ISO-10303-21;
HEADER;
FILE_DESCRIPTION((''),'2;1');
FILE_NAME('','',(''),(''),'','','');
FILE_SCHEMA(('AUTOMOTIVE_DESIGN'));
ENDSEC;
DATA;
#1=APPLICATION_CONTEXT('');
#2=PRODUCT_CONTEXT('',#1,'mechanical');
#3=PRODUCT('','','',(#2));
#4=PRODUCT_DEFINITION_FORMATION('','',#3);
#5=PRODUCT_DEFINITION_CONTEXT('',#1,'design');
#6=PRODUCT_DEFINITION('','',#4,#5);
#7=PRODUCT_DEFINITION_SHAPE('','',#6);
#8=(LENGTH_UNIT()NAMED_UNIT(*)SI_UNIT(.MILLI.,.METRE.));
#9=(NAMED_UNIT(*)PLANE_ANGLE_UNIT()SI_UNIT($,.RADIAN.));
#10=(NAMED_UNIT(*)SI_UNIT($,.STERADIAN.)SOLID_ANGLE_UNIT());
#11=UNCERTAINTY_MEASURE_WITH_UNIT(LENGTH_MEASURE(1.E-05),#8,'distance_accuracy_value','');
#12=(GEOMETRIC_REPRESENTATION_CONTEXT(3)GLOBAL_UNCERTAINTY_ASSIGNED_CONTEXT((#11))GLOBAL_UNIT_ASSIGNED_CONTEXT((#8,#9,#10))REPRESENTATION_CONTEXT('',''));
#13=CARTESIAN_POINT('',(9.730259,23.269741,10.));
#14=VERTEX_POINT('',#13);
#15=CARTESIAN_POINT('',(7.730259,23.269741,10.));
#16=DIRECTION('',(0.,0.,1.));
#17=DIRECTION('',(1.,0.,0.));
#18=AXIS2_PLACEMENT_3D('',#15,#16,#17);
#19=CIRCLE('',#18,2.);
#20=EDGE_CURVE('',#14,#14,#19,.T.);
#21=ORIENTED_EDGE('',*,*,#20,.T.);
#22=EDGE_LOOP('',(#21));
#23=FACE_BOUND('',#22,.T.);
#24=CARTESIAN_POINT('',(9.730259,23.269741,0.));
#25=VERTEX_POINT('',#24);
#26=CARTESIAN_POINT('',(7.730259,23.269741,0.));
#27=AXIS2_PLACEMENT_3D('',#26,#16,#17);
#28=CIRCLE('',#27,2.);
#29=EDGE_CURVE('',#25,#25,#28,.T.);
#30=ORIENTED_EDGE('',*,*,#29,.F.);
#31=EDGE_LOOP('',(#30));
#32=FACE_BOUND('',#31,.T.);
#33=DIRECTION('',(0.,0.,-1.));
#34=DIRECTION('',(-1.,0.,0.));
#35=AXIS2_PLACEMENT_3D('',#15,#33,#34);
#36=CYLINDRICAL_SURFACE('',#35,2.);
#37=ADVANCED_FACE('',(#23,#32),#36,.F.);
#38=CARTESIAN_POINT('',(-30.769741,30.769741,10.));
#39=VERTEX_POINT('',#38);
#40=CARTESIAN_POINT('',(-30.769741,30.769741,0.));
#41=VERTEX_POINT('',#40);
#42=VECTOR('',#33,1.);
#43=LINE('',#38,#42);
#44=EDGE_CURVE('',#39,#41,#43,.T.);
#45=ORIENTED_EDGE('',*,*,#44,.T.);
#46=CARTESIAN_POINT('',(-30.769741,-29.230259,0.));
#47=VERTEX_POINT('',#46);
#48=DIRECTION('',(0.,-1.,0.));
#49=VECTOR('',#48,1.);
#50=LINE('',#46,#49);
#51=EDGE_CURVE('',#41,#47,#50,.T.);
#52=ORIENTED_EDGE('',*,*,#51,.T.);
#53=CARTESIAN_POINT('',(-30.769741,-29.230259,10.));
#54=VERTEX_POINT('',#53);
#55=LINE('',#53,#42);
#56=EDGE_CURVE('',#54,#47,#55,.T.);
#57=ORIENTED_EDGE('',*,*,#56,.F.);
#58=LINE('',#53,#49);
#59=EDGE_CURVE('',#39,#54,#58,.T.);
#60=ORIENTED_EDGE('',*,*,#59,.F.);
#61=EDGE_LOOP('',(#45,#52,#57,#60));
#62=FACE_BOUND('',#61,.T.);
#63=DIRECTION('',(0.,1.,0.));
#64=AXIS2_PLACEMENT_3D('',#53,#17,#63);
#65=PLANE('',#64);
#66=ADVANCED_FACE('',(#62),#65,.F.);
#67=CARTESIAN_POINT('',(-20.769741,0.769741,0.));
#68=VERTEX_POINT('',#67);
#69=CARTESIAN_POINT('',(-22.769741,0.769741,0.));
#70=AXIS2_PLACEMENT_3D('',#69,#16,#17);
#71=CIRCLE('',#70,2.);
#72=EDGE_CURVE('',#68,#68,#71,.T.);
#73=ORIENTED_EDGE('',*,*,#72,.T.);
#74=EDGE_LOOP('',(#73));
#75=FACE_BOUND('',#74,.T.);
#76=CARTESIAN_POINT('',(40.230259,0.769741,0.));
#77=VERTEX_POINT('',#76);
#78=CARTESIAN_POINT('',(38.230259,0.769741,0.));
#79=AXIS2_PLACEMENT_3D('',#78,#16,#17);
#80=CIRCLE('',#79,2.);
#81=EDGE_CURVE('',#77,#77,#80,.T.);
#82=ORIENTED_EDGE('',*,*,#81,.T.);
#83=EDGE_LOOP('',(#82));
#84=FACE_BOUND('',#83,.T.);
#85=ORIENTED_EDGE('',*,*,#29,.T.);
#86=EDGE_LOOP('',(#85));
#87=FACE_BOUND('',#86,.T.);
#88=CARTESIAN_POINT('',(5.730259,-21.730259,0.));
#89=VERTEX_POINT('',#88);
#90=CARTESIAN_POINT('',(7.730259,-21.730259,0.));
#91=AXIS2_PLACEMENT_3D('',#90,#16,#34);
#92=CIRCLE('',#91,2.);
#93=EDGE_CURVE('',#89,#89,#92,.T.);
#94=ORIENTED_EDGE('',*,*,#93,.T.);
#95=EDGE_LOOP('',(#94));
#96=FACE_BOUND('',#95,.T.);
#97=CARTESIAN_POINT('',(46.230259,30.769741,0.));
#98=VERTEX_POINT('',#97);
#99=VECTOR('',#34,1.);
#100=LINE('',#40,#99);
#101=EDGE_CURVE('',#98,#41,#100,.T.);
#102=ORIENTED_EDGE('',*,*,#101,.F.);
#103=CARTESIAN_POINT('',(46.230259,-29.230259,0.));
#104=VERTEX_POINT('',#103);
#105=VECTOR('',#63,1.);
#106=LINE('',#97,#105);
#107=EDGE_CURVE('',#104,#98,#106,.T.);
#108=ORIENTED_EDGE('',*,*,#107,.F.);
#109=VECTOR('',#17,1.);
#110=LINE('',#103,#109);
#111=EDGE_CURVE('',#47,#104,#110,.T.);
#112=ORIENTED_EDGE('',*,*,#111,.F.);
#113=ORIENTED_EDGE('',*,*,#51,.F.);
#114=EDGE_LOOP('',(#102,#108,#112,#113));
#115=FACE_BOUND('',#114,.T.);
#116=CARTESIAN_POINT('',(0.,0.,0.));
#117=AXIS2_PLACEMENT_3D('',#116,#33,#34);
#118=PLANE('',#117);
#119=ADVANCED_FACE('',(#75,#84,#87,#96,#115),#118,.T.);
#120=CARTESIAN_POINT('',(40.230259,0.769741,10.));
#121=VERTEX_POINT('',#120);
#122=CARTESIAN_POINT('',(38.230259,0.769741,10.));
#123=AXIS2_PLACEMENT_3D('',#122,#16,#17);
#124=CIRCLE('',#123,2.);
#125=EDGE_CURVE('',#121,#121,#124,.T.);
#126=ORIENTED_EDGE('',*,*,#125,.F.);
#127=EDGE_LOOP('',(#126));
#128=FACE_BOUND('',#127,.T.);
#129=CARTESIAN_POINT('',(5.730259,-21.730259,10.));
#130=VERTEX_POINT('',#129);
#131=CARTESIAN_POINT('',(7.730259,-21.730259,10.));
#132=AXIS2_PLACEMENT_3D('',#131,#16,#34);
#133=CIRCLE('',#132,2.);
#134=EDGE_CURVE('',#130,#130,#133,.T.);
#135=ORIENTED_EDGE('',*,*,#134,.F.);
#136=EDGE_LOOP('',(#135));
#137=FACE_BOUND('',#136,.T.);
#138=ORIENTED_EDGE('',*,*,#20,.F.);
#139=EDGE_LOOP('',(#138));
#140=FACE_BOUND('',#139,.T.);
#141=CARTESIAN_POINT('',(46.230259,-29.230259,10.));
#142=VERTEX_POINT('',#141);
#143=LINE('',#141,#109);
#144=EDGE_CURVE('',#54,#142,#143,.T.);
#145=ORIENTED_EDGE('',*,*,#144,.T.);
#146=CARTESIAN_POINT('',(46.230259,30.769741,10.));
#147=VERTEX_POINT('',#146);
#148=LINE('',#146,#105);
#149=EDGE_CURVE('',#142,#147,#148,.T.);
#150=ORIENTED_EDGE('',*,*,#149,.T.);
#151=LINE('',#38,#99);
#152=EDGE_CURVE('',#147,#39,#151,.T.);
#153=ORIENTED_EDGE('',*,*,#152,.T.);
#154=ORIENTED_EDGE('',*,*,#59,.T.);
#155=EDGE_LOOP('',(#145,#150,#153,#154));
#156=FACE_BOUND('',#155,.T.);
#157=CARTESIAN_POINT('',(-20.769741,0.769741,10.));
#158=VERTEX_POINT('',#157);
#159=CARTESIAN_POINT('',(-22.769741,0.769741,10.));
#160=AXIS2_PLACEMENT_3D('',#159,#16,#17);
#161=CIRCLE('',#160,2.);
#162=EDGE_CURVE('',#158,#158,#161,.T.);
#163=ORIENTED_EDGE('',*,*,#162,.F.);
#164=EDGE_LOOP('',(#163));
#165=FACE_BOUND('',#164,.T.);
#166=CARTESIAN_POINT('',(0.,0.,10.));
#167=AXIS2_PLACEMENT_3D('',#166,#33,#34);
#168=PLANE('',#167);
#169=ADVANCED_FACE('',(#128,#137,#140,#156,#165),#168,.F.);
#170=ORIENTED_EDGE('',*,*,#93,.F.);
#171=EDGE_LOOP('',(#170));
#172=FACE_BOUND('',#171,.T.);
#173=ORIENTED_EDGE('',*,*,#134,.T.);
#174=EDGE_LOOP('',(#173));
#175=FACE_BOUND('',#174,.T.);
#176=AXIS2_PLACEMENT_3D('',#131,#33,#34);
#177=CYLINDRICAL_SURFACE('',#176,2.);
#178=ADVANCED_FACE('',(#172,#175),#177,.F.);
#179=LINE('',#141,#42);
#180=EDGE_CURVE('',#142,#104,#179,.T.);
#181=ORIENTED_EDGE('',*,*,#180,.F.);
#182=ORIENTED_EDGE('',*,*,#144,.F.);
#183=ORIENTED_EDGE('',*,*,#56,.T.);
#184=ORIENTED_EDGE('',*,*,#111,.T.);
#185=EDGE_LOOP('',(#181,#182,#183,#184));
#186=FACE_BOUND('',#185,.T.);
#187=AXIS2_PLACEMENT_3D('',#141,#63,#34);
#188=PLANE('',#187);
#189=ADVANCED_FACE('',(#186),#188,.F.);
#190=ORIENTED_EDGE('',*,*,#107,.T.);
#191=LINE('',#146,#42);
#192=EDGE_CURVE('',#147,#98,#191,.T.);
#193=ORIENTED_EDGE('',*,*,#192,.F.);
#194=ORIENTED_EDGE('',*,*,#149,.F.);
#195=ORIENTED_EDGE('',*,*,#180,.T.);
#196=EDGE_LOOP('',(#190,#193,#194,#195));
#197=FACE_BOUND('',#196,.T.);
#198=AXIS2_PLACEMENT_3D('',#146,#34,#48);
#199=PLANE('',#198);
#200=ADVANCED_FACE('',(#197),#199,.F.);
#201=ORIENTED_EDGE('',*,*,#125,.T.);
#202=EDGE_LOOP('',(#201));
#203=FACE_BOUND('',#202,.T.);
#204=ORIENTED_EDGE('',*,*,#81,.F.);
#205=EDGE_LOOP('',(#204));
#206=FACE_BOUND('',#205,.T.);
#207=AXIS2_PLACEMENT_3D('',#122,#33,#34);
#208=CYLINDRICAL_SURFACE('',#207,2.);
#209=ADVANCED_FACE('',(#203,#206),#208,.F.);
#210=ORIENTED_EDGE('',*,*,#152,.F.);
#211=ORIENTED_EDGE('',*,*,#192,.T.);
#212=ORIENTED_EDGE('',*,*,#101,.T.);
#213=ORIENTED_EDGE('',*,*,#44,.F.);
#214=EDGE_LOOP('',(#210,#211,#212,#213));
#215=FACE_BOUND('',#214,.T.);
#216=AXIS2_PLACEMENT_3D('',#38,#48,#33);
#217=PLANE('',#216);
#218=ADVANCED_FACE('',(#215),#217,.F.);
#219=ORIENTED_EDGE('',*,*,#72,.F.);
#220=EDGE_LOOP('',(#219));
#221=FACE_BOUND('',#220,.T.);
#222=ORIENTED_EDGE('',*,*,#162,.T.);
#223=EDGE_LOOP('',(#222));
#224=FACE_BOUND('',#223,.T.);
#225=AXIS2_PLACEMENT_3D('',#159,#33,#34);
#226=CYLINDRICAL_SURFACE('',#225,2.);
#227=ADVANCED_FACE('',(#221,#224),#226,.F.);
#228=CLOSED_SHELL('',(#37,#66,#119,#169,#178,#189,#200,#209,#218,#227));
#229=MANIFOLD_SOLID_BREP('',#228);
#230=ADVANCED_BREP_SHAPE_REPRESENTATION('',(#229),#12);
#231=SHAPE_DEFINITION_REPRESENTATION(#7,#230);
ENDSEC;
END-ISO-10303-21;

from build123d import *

# Parameters (mm, degrees)
SKETCH_1_W      = 77
SKETCH_1_H      = 60
SKETCH_1_R      = 2
EXTRUDE_1_DEPTH = 10


with BuildPart() as part:
    # 草图1 → 凸台-拉伸1 (new body)
    with BuildSketch(Plane.XY):
        with Locations((7.730258776, 0.769741224)):
            Rectangle(SKETCH_1_W, SKETCH_1_H)
        with Locations((7.730258776, 23.269741224)):
            Circle(SKETCH_1_R, mode=Mode.SUBTRACT)
        with Locations((7.730258776, -21.730258776)):
            Circle(SKETCH_1_R, mode=Mode.SUBTRACT)
        with Locations((38.230258776, 0.769741224)):
            Circle(SKETCH_1_R, mode=Mode.SUBTRACT)
        with Locations((-22.769741224, 0.769741224)):
            Circle(SKETCH_1_R, mode=Mode.SUBTRACT)
    extrude(amount=EXTRUDE_1_DEPTH)


solid = part.part
